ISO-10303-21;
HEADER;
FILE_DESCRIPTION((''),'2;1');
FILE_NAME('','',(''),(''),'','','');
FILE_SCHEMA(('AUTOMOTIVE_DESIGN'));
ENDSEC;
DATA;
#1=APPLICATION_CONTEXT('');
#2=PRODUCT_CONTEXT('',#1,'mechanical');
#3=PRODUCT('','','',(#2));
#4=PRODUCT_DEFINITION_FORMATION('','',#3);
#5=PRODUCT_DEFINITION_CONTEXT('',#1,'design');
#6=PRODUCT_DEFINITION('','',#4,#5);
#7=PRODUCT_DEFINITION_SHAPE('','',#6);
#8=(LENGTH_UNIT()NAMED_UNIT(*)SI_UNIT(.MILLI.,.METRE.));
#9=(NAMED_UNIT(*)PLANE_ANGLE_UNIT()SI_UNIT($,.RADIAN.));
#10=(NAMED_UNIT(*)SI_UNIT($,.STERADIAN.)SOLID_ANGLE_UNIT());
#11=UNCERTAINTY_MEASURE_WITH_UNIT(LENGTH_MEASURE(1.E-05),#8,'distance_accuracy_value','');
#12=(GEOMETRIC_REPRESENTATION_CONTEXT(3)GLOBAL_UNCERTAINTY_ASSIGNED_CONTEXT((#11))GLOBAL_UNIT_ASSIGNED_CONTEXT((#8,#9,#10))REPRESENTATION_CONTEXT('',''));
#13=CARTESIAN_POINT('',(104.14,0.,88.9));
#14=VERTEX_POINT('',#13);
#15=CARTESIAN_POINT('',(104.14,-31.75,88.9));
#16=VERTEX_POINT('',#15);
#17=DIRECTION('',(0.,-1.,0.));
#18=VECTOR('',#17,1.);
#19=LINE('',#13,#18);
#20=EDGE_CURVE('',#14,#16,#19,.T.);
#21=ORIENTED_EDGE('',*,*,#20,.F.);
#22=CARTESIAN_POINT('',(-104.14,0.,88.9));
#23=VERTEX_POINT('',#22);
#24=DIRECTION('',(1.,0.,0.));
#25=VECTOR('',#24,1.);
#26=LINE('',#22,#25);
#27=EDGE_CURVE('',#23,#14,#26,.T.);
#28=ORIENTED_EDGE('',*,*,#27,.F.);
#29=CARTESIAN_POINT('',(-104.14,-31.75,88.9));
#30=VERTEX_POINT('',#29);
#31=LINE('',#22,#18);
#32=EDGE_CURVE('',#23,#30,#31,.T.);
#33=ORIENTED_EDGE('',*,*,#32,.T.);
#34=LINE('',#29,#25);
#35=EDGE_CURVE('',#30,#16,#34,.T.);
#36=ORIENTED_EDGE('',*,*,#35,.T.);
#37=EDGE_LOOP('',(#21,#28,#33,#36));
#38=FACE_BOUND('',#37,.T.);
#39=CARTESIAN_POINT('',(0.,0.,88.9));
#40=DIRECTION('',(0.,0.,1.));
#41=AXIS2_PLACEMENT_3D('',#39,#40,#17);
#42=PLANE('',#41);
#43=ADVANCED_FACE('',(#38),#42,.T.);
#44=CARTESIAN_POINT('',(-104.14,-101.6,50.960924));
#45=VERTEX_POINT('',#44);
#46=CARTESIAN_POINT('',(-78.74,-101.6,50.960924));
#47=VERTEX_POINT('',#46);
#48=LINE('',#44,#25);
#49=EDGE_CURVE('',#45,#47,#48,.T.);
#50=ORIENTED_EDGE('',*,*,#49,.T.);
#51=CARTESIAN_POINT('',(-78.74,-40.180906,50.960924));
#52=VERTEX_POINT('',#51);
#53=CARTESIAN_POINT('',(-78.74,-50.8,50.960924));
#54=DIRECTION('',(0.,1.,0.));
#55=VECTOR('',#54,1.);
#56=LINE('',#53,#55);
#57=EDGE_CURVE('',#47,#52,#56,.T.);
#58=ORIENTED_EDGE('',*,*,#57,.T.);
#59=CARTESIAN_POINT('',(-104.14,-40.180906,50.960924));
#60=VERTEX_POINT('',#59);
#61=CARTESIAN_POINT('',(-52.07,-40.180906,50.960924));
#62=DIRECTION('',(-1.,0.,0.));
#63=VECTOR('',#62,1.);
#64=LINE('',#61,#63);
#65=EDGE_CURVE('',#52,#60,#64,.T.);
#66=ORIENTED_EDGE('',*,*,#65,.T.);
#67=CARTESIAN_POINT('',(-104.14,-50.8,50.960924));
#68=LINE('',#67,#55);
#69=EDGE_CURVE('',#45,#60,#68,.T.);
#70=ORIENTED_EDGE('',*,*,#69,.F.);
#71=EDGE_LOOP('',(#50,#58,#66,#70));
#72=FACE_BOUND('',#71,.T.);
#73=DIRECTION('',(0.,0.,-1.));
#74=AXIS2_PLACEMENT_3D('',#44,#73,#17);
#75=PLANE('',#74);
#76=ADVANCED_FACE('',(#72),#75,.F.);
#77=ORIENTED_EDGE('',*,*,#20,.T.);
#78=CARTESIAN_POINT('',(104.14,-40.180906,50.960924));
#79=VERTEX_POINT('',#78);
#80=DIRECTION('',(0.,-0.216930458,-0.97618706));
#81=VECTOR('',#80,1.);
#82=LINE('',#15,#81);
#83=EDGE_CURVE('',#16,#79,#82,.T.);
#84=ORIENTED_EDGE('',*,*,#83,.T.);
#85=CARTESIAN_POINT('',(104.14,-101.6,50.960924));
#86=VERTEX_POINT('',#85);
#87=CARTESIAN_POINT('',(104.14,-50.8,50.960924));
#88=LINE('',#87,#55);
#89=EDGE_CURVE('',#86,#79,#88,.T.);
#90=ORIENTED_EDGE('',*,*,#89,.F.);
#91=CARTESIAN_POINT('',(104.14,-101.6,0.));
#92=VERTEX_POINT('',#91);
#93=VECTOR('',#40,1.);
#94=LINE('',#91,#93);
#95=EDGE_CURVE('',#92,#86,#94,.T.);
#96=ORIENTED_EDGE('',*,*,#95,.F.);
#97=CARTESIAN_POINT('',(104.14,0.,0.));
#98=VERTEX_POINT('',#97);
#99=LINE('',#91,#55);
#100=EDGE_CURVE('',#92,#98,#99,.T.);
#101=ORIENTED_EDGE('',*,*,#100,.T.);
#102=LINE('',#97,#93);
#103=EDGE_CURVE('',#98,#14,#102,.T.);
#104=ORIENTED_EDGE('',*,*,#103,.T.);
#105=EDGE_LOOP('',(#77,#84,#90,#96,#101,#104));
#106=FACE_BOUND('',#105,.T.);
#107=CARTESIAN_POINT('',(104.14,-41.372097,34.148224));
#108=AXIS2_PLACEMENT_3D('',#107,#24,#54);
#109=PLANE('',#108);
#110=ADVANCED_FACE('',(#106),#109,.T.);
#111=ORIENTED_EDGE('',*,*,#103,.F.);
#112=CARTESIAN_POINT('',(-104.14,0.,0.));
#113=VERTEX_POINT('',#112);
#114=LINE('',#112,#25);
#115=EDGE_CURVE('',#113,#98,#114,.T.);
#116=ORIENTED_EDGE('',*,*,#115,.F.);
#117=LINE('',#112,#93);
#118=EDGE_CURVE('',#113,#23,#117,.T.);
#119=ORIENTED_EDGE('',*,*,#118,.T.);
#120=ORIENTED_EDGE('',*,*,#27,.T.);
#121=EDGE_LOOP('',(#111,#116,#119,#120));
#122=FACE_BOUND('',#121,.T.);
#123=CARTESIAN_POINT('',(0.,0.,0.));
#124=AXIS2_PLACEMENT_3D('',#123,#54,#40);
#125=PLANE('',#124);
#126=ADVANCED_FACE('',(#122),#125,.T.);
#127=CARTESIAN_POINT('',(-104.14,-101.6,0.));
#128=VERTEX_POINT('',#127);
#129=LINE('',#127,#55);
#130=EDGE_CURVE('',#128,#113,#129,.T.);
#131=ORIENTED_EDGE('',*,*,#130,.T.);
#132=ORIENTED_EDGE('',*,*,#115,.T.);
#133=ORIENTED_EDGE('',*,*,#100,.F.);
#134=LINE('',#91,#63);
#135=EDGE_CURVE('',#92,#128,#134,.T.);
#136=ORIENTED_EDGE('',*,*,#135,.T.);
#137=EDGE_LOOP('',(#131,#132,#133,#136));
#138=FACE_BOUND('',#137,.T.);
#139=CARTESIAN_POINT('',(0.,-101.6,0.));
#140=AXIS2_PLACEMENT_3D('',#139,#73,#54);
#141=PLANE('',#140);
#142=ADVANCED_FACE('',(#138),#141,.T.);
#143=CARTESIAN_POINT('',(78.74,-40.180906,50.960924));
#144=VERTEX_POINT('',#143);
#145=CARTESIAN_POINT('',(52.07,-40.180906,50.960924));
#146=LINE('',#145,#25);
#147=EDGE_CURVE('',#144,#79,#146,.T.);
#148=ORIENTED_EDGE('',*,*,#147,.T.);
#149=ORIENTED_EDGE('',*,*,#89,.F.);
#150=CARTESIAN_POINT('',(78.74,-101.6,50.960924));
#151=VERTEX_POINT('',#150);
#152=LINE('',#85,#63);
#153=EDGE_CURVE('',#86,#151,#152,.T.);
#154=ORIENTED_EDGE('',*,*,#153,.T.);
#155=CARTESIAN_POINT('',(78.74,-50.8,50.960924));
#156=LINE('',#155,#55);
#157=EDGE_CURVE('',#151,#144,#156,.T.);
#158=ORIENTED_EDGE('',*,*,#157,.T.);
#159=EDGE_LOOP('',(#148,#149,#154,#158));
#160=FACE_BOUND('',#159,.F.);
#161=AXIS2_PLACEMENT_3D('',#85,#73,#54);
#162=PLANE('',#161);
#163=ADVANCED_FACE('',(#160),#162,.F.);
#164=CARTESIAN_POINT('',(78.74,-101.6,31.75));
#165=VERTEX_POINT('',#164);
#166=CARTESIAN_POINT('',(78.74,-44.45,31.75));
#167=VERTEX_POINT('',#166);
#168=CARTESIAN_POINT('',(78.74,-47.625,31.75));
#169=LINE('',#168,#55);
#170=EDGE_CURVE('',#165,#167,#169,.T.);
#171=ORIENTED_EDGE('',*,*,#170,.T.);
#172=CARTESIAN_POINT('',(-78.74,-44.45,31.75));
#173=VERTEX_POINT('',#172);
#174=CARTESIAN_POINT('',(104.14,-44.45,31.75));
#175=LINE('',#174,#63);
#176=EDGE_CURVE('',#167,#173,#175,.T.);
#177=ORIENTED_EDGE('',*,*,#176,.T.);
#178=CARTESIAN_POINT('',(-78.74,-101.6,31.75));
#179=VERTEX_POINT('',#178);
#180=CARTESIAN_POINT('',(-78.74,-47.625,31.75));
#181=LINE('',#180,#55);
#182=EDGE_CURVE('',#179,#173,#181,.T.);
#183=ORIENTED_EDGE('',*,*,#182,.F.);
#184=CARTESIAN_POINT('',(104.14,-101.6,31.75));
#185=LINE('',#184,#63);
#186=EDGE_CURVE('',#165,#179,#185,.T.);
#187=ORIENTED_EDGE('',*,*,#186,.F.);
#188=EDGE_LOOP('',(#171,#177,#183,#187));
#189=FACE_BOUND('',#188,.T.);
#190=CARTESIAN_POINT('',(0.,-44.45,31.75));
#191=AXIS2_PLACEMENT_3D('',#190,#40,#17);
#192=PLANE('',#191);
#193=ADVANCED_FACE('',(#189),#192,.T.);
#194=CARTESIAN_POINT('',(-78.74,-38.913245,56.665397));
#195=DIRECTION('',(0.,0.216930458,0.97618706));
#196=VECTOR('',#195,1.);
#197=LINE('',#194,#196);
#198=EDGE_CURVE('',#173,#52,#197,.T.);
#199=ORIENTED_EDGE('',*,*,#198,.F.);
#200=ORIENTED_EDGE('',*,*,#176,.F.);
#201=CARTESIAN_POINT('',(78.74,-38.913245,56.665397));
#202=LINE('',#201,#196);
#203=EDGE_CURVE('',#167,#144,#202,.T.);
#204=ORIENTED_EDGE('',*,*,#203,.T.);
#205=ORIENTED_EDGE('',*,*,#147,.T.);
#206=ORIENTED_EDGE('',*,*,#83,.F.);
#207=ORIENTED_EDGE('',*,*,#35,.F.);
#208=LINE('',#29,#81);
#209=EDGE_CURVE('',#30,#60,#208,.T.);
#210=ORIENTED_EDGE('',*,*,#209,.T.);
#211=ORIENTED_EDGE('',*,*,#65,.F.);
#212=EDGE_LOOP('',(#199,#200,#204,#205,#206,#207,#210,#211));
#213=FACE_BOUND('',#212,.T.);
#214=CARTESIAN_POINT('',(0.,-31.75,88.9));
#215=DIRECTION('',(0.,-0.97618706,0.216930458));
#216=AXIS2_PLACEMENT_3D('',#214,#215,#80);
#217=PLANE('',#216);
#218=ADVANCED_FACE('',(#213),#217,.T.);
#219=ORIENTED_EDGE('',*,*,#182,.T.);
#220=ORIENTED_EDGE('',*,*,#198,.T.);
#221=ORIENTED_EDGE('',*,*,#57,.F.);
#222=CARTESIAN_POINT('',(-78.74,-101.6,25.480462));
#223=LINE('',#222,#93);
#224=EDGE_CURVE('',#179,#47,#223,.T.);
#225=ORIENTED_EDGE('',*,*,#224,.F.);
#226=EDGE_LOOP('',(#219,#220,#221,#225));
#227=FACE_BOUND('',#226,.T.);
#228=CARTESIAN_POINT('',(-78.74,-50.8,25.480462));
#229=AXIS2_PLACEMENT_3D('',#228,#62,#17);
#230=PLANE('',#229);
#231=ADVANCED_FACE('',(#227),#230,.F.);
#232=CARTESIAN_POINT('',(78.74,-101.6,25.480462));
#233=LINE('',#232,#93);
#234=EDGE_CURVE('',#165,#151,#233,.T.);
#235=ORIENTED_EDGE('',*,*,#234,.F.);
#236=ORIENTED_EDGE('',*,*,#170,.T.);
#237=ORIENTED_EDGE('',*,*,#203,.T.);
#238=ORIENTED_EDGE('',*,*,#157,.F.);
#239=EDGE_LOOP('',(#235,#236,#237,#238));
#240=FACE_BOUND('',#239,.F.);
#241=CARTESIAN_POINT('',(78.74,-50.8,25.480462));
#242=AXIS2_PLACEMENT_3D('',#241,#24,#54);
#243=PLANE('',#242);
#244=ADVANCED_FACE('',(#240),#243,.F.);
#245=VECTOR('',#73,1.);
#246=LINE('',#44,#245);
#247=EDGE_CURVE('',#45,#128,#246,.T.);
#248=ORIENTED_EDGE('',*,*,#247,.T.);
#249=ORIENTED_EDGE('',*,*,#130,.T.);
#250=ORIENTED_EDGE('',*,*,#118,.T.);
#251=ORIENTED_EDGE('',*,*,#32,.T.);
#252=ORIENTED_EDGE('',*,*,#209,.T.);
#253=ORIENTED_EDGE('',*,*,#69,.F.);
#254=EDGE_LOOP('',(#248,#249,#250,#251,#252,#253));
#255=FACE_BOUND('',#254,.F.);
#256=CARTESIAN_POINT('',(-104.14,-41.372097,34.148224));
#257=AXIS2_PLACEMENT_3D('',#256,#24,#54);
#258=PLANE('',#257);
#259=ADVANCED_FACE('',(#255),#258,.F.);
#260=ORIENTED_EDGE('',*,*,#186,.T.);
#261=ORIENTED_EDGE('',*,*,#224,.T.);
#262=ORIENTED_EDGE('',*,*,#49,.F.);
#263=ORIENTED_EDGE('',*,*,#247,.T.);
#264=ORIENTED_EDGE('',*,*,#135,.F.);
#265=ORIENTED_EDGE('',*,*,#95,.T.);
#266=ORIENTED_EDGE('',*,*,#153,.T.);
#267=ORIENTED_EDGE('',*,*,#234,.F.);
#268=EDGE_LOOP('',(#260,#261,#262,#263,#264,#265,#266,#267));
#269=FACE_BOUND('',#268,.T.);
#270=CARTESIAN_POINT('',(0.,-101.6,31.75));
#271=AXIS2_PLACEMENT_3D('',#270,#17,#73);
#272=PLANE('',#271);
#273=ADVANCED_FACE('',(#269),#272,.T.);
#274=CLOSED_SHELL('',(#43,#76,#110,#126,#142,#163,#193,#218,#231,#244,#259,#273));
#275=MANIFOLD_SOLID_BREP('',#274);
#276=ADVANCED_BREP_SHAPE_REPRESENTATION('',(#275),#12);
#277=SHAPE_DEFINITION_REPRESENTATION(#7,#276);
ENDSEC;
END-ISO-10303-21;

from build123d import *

# Parameters (mm, degrees)
F1_DEPTH = 104.14
F2_W     = 101.6
F2_H     = 50.960924
F3_DEPTH = 25.4


with BuildPart() as f1:
    # F0 (on Right) → F1 (new body, symmetric)
    with BuildSketch(Plane.YZ):
        Polygon((-101.6, 0), (0, 0), (0, 88.9), (-31.75, 88.9), (-44.45, 31.75), (-101.6, 31.75), align=None)
    extrude(amount=F1_DEPTH, both=True)

    # F2 (on face) → F3 (join)
    with BuildSketch(Plane.YZ.offset(104.14)):
        with Locations((-50.8, 25.480462)):
            Rectangle(F2_W, F2_H)
    extrude(amount=-F3_DEPTH)

    # F4: F1 across plane


with BuildPart() as f1_1:
    add(f1.part)
    add(f1.part.mirror(Plane.YZ))


solid = f1_1.part
